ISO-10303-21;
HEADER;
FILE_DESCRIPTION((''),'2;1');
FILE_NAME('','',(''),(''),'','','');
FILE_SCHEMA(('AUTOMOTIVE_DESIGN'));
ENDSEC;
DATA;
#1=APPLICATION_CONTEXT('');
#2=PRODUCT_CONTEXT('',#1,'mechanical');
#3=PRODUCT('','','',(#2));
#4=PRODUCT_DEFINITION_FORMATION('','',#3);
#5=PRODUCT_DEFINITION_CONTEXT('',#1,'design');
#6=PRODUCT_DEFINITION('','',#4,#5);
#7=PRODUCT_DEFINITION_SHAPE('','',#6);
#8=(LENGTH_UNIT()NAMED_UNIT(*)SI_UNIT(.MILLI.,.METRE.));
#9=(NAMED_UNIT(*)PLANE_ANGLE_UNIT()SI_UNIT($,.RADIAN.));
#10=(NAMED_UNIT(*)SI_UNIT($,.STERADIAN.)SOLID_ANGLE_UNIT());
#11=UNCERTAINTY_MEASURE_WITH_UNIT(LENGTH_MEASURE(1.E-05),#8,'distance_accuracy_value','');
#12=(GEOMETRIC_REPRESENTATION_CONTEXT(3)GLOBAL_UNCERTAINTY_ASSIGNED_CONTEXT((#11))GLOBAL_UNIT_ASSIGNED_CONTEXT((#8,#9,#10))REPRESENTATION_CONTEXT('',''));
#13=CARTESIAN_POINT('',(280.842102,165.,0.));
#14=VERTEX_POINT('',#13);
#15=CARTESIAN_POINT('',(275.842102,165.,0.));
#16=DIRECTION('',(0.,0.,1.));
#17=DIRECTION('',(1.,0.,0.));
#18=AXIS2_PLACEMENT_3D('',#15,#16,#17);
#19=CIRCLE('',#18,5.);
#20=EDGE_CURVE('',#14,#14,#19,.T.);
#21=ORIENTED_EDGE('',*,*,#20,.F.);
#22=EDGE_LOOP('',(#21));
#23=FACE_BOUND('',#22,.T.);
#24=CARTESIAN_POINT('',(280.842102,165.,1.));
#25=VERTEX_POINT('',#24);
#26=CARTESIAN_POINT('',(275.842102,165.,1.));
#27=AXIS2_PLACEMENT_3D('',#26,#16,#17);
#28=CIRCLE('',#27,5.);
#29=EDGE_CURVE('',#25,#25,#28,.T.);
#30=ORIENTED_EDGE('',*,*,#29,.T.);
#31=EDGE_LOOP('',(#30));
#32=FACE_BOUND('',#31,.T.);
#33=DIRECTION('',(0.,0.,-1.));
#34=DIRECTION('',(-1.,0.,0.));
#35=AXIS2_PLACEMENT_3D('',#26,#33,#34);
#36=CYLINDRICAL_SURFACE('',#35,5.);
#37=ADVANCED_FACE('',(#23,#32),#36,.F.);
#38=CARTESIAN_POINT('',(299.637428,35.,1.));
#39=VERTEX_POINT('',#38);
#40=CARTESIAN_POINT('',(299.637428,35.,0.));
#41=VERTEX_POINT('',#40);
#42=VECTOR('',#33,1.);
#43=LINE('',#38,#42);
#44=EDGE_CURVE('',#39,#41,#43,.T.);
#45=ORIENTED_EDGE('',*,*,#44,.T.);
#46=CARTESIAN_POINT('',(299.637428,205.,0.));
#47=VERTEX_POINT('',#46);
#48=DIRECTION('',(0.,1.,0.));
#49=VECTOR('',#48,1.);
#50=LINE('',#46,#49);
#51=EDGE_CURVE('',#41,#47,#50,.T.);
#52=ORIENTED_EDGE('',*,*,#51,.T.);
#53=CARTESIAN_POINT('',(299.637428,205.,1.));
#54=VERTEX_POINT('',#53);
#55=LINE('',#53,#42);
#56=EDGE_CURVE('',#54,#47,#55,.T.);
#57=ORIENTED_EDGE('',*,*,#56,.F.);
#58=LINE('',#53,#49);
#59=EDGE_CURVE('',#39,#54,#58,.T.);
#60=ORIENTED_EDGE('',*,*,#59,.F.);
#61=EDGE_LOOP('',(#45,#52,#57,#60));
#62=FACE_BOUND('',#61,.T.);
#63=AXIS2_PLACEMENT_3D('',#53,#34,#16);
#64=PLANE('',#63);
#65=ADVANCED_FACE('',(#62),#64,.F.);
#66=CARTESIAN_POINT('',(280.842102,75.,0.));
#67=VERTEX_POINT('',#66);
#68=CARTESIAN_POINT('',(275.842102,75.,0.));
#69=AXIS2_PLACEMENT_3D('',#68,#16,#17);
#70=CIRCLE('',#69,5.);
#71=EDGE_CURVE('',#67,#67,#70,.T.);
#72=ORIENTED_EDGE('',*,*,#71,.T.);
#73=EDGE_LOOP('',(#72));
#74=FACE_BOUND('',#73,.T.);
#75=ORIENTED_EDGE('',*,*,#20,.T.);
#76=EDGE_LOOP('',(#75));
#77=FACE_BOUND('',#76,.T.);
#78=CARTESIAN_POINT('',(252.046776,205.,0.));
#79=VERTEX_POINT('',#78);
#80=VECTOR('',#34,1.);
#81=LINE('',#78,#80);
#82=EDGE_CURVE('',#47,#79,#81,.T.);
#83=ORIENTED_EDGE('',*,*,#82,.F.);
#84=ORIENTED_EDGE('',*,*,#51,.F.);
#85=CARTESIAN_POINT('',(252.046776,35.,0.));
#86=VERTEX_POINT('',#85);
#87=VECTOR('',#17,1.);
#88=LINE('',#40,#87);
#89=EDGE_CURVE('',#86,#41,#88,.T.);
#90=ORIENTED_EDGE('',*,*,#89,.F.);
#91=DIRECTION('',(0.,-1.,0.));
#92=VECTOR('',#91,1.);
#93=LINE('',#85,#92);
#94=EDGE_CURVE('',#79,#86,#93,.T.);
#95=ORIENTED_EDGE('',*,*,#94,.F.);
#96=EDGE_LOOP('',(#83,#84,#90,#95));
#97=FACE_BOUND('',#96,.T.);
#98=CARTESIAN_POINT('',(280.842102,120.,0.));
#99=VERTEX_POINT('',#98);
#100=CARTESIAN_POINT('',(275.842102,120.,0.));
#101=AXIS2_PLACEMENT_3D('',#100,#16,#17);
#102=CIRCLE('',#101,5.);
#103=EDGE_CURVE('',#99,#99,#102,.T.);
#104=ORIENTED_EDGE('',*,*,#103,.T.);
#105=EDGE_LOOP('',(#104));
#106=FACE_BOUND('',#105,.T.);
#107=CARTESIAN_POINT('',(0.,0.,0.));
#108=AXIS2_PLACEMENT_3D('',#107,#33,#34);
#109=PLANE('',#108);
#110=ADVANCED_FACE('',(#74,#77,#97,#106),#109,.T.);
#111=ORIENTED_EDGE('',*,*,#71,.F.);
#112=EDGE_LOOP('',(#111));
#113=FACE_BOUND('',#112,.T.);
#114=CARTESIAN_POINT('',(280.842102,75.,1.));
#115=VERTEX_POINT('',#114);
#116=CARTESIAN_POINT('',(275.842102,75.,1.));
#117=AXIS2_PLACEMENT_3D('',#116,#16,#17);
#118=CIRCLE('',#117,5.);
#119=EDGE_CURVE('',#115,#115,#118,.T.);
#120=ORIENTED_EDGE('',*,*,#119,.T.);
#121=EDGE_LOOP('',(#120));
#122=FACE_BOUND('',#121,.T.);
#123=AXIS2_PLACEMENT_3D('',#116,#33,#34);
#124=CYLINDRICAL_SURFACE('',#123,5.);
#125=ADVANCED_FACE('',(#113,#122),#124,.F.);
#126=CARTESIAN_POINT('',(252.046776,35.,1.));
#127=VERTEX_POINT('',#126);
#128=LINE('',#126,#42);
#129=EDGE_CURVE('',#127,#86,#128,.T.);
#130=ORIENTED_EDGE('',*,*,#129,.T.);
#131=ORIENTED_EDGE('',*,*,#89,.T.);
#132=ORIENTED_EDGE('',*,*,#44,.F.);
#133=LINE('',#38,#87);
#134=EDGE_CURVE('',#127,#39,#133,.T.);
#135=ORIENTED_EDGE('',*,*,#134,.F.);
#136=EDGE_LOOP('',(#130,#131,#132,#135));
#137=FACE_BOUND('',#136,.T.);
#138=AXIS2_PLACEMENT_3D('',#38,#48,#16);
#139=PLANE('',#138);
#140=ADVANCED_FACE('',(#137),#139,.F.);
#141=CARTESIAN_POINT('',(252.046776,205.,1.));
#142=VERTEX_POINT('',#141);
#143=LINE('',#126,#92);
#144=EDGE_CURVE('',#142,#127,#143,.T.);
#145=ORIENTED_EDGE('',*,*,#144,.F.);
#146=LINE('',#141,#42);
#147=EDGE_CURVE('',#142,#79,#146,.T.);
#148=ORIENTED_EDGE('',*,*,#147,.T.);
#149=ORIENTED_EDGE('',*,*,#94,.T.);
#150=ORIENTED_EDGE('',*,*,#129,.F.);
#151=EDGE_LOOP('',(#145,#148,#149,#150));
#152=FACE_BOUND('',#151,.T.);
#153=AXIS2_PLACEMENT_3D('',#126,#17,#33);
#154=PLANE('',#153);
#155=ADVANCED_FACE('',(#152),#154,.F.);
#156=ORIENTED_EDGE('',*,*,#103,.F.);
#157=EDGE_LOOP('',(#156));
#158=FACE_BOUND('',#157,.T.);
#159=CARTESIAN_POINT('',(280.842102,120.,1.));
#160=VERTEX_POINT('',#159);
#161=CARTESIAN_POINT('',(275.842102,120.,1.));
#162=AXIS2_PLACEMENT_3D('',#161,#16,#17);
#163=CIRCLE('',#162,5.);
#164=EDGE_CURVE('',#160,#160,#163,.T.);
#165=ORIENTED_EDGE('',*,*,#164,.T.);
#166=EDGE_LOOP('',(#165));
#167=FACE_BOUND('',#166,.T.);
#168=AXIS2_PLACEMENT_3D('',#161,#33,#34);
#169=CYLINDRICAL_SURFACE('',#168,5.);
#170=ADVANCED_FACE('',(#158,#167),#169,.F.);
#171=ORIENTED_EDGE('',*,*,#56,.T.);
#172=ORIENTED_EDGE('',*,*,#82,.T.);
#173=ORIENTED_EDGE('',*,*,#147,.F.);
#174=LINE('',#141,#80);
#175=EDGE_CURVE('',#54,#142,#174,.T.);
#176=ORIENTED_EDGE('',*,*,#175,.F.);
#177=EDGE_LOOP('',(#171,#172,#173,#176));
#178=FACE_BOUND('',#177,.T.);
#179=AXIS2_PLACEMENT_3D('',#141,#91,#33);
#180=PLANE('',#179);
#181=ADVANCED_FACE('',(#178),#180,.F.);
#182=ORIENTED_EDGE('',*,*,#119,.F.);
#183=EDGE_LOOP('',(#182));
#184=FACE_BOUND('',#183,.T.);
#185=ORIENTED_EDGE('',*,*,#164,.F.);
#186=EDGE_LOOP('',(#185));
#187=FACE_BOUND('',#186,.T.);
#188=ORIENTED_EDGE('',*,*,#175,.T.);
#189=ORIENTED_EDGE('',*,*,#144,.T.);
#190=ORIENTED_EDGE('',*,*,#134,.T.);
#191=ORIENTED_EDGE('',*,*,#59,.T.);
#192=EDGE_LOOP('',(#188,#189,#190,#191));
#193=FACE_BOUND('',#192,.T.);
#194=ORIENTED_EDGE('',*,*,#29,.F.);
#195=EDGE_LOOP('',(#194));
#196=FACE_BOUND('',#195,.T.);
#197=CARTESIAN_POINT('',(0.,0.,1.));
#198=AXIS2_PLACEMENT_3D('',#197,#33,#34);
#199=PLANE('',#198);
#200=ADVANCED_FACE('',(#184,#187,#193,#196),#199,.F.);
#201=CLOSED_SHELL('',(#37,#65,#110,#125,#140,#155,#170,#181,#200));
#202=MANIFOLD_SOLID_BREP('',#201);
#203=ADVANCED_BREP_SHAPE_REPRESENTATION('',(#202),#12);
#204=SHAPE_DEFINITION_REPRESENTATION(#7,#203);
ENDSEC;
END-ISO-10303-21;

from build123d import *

# Parameters (mm, degrees)
ESBO_O1_W                = 47.590651375
ESBO_O1_H                = 170
ESBO_O1_R                = 5
RESSALTO_EXTRUS_O1_DEPTH = 1


with BuildPart() as part:
    # Esboço1 → Ressalto-extrusão1 (new body)
    with BuildSketch(Plane(origin=(0, 0, 0), x_dir=(-1, 0, 0), z_dir=(0, 0, 1))):
        with Locations((-275.84210192, -120)):
            Rectangle(ESBO_O1_W, ESBO_O1_H)
        with Locations((-275.84210192, -165)):
            Circle(ESBO_O1_R, mode=Mode.SUBTRACT)
        with Locations((-275.84210192, -120)):
            Circle(ESBO_O1_R, mode=Mode.SUBTRACT)
        with Locations((-275.84210192, -75)):
            Circle(ESBO_O1_R, mode=Mode.SUBTRACT)
    extrude(amount=RESSALTO_EXTRUS_O1_DEPTH)


solid = part.part
